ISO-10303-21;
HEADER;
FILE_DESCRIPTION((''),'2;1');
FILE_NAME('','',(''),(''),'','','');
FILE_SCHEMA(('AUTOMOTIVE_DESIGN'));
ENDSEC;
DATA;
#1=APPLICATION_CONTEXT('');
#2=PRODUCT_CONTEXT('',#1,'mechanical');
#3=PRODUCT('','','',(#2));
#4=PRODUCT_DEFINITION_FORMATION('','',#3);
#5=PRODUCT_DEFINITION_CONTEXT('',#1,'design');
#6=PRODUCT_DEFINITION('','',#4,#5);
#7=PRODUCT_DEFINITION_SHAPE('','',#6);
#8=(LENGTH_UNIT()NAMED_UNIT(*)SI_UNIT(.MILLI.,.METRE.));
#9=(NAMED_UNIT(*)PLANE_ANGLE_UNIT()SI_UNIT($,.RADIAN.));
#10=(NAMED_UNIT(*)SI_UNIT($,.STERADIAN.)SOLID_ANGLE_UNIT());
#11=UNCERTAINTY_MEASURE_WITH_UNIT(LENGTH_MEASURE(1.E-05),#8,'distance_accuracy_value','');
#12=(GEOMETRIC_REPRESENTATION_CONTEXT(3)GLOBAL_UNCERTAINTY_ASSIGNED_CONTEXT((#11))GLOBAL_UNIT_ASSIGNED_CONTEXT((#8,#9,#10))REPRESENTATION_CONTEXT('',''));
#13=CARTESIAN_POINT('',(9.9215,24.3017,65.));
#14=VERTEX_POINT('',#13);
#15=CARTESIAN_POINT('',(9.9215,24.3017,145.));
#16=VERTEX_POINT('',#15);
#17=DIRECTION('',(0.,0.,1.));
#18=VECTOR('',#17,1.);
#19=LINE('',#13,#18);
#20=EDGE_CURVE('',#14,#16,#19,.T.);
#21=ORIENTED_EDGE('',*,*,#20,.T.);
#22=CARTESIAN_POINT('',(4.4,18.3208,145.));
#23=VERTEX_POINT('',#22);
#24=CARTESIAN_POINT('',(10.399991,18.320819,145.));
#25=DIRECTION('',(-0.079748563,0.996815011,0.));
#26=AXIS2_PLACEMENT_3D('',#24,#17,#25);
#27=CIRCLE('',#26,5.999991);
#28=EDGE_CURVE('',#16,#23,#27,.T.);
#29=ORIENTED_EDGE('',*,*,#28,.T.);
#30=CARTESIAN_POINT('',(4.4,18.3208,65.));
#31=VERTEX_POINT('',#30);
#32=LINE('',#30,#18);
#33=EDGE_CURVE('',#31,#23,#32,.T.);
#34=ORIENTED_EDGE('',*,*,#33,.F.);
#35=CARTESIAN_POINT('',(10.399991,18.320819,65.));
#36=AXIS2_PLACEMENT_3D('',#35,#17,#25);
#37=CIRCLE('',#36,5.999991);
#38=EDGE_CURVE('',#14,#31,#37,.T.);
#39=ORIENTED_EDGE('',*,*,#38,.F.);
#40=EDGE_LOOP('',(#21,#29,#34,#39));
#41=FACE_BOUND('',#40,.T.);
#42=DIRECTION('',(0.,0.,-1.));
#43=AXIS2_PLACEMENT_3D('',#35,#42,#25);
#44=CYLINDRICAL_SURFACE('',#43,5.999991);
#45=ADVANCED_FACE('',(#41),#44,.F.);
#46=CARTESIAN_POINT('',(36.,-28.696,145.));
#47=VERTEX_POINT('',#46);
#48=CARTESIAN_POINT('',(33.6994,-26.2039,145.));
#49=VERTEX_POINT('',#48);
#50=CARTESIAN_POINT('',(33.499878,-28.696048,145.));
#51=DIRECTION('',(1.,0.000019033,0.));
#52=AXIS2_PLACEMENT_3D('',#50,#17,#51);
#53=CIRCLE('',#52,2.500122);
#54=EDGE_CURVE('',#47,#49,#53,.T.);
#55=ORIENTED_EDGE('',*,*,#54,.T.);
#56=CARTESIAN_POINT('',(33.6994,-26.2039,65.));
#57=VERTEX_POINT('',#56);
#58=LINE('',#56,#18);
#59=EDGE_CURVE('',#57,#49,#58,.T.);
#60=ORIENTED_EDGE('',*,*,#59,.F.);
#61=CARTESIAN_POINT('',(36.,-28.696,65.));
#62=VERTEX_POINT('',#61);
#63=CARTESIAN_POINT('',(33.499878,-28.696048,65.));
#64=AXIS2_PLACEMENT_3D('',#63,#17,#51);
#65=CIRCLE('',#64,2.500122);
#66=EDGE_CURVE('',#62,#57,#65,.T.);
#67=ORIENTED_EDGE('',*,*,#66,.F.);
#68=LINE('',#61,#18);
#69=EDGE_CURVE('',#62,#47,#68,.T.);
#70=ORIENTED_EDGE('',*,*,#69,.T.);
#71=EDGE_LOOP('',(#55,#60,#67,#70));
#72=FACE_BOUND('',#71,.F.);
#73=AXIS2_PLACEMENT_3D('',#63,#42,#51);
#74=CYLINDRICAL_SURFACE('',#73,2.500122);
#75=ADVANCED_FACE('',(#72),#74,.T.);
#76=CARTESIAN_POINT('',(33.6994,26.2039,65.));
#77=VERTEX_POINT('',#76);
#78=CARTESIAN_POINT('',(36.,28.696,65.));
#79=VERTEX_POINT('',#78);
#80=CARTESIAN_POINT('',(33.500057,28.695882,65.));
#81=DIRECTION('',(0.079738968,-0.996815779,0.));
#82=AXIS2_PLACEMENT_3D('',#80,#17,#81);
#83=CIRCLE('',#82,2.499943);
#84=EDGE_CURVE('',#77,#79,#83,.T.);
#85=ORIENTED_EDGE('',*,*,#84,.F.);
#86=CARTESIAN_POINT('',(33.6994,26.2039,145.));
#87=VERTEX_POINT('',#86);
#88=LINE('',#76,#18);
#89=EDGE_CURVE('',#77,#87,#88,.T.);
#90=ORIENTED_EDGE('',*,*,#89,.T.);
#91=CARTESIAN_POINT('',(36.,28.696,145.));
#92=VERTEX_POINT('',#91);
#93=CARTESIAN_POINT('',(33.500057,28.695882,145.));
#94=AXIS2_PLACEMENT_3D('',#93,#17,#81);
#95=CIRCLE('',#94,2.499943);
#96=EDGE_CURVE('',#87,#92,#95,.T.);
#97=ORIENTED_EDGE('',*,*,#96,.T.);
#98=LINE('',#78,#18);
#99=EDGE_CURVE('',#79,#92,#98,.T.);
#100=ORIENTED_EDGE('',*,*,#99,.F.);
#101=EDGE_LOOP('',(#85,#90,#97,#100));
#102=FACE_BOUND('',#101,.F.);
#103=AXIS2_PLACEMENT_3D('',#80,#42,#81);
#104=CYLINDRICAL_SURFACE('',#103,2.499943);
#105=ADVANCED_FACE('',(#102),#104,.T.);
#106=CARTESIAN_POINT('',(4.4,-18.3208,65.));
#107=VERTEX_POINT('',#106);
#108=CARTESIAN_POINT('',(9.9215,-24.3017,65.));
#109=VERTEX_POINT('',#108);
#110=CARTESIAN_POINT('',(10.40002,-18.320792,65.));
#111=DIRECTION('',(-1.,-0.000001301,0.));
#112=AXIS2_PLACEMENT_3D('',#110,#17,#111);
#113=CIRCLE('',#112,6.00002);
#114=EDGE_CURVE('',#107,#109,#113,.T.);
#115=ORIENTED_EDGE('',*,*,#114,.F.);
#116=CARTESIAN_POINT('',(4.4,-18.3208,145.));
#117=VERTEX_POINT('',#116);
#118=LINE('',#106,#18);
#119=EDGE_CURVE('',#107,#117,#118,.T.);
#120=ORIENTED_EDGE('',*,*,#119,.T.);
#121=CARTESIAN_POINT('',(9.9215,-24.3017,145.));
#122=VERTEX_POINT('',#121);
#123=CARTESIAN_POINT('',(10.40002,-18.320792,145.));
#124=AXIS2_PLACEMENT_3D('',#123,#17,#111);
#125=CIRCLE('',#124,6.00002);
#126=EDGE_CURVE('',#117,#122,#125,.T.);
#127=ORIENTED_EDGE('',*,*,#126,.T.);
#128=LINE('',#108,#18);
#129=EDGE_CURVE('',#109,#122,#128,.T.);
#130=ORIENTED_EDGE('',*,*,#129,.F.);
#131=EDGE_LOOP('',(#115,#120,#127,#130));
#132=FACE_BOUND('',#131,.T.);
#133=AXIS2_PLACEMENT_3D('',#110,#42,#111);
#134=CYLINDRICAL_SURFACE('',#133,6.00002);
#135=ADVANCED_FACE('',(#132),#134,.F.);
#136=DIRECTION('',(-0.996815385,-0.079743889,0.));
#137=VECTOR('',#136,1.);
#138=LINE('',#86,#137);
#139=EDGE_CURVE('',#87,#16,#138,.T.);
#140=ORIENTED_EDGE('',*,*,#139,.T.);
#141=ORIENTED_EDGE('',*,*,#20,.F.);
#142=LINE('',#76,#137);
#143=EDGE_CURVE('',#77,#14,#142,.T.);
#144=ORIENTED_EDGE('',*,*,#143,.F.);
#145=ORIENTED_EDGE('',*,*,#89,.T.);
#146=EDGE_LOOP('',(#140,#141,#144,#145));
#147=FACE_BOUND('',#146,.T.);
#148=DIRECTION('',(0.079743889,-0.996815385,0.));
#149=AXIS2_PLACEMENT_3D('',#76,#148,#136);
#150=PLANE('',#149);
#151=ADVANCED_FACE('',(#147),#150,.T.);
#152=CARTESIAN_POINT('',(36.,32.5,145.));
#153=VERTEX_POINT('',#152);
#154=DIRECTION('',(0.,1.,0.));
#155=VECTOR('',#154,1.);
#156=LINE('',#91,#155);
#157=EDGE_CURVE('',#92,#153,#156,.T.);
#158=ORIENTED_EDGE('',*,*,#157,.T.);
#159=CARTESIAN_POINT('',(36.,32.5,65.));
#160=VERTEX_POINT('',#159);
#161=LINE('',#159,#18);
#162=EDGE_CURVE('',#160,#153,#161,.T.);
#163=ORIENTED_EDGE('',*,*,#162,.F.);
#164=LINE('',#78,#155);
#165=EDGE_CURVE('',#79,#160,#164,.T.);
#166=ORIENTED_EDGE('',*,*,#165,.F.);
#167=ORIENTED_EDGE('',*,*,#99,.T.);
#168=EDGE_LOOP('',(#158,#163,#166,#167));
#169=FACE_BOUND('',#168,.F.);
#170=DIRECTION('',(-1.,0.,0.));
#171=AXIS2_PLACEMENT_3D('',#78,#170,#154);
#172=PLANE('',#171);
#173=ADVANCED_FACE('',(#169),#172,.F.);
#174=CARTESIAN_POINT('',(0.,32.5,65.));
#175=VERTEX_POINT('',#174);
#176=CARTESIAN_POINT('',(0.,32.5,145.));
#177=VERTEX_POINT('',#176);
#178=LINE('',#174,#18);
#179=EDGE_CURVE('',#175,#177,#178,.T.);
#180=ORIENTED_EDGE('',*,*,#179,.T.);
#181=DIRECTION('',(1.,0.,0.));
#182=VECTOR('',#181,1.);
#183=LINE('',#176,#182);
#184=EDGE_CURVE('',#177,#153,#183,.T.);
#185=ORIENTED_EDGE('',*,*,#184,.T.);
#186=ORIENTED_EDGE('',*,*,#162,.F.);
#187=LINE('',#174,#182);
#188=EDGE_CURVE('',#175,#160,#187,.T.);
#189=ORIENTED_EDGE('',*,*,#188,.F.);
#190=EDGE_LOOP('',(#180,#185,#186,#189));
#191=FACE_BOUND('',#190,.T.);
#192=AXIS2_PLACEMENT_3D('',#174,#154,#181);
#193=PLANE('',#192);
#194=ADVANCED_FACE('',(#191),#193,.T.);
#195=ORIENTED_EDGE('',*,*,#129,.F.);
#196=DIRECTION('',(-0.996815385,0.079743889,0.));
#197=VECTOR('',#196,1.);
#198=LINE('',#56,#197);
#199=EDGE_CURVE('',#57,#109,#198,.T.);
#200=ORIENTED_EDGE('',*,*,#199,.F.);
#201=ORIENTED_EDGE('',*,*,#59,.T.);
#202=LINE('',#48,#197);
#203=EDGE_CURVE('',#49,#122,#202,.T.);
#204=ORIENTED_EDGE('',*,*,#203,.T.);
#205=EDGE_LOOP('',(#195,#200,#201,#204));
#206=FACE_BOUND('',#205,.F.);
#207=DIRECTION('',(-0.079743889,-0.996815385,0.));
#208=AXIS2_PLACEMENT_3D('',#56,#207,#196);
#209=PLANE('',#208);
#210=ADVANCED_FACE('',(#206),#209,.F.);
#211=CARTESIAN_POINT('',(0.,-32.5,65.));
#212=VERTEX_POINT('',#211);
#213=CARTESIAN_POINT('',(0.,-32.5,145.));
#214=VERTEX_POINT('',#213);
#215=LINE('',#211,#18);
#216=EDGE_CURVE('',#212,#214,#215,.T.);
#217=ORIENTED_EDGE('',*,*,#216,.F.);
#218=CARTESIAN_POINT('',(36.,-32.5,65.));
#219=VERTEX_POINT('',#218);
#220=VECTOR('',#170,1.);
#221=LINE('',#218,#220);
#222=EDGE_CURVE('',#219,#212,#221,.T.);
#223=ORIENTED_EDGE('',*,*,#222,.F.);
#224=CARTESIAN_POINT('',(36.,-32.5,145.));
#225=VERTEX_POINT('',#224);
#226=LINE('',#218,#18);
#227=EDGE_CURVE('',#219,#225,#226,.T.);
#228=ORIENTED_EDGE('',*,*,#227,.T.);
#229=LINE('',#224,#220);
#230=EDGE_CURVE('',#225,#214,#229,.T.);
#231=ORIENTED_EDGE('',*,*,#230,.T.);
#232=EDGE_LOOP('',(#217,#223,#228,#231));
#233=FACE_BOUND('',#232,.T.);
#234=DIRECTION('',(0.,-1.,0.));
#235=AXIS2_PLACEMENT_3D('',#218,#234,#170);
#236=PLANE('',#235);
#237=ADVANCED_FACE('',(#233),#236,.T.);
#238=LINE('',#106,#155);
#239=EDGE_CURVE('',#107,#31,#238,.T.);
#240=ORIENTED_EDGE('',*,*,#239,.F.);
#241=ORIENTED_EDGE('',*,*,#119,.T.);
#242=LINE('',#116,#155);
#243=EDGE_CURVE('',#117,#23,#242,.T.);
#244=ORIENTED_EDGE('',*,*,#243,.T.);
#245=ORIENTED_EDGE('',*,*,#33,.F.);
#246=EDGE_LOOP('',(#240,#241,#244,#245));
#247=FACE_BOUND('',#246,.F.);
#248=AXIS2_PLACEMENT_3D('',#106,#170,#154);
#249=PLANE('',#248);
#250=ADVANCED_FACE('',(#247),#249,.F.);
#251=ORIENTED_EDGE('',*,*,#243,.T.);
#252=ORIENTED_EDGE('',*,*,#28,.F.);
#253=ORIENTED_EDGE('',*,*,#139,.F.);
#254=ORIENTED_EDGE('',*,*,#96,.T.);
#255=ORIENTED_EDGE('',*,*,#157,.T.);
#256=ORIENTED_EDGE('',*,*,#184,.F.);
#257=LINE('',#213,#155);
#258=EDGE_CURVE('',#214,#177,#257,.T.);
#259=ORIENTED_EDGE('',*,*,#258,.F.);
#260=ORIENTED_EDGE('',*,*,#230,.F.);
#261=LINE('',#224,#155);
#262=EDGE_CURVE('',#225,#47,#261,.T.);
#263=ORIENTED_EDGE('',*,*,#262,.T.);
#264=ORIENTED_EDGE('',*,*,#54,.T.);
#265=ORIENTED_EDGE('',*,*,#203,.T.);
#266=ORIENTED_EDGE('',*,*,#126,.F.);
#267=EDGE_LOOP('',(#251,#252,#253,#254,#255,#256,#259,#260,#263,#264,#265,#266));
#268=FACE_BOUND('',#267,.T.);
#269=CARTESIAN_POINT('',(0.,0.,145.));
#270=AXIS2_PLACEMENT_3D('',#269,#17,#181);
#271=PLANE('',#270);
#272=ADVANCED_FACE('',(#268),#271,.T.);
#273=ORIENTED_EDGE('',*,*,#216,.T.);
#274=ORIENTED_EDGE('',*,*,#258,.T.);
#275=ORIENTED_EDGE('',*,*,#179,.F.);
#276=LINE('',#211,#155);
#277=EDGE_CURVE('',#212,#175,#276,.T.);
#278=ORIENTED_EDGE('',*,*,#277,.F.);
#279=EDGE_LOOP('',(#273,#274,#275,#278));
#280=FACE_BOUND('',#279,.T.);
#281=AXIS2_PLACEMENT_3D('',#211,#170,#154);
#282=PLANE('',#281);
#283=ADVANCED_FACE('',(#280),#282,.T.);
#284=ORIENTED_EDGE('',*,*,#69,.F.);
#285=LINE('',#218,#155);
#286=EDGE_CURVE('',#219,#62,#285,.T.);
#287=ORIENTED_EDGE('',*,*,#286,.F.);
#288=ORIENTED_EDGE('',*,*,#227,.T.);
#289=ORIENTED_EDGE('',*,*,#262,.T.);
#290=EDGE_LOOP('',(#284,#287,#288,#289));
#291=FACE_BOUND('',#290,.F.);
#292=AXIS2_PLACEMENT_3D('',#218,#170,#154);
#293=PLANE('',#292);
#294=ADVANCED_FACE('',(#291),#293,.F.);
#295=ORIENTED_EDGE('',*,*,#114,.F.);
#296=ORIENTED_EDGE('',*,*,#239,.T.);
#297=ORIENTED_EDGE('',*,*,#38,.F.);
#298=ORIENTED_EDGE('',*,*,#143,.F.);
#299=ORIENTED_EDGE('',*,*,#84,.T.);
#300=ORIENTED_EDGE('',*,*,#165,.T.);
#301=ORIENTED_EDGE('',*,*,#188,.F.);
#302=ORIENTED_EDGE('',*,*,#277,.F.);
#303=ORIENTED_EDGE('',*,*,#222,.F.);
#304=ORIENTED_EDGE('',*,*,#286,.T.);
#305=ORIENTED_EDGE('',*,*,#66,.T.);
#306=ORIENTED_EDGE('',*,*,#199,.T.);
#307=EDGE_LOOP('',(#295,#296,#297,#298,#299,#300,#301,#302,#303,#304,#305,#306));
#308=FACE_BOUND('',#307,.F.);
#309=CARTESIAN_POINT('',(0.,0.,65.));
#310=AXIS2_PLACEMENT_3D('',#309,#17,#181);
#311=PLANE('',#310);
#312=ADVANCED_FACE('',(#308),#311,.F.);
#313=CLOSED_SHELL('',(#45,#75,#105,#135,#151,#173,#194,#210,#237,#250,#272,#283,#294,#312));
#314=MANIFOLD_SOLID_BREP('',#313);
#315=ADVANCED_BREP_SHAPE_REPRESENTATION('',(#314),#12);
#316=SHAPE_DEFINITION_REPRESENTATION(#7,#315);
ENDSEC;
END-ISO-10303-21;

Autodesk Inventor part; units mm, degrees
ref_plane "Начальная плоскость" through (0, 0, 65) normal (0, 0, 1) x (1, 0, 0)
ref_plane "Конечная плоскость" through (0, 0, 145) normal (0, 0, 1) x (1, 0, 0)
sketch "Эскиз" plane through (0, 0, 0) normal (0, 0, 1) x (1, 0, 0)
  line L0 (36, -32.5) -> (0, -32.5)
  line L1 (36, -32.5) -> (36, -28.696)
  line L2 (33.6994, -26.2039) -> (9.9215, -24.3017)
  line L3 (4.4, -18.3208) -> (4.4, 18.3208)
  line L4 (33.6994, 26.2039) -> (9.9215, 24.3017)
  line L5 (36, 28.696) -> (36, 32.5)
  line L6 (0, 32.5) -> (36, 32.5)
  line L7 (0, -32.5) -> (0, 32.5)
  arc A0 (4.4, -18.3208) -> (9.9215, -24.3017) centre (10.4, -18.3208) ccw
  arc A1 (9.9215, 24.3017) -> (4.4, 18.3208) centre (10.4, 18.3208) ccw
  arc A2 (36, -28.696) -> (33.6994, -26.2039) centre (33.5, -28.696) ccw
  arc A3 (33.6994, 26.2039) -> (36, 28.696) centre (33.5, 28.696) ccw
  line L8 (0, 45.5) -> (0, -45.5) construction
  line L9 (-7.2974, 0) -> (43.7847, 0) construction
  point P0 (36, -26.388)
  point P1 (4.4, -23.86)
  point P2 (4.4, 23.86)
  point P3 (36, 26.388)
  dimension "d3" = 36
  dimension "d5" = 4.4
  dimension "d7" = 65
  dimension "d9" = 8.64
  dimension "d11" = 8.64
  dimension "d13" = 6.112
  dimension "d15" = 6.112
  dimension "d22" = 6
  dimension "d23" = 2.5
  dimension "d24" = 32.5
  dimension "d25" = 0
extrude "Тело" add sketch "Эскиз" along normal up to surface (80 mm away) from surface at 65
sketch "Sketch3" plane through (0, 0, 0) normal (0, 0, 1) x (1, 0, 0)
  line L0 (0, 0) -> (10, 0)
ref_plane "Work Plane7" through (0, 0, 0) normal (0, -1, 0) x (1, 0, 0)
sketch "Sketch4" plane through (0, 0, 0) normal (0, -1, 0) x (1, 0, 0)
  line L0 (-2, 65) -> (12, 65)
  line L1 (-2, 145) -> (12, 145)
  dimension "d29" = 80
ref_plane "РабПлоскость8" through (18, -53.62, 145) normal (0, 0, 1) x (1, 0, 0)
split "Разделение1" plane through (18, -53.62, 145) removes the side toward (0, 0, 1)
ref_plane "РабПлоскость9" through (18, 32.5, 65) normal (0, 0, -1) x (-1, 0, 0)
split "Разделение2" plane through (18, 32.5, 65) removes the side toward (0, 0, -1)
equation "\"d3\" = b"
equation "\"d5\" = t1"
equation "\"d7\" = ParH"
equation "\"d9\" = msp_x1 + t2"
equation "\"d11\" = msp_x1 + t2"
equation "\"d13\" = -msp_x2 + t2"
equation "\"d15\" = -msp_x2 + t2"
equation "\"d22\" = R"
equation "\"d23\" = R1"
equation "\"d24\" = 0.5 * d7"
equation "\"d16\" = G_L"
equation "\"R1\" = 2.5"
equation "\"R\" = 6"
equation "\"t1\" = 4.4"
equation "\"t2\" = 7.2"
equation "\"ParH\" = 65"
equation "\"b\" = 36"
equation "\"msp_x1\" = 0.04 * b"
equation "\"msp_x2\" = -0.08 * t1 + 0.04 * b"
equation "\"G_L\" = d29"
equation "\"ex\" = 0"
equation "\"G_OFFSET_START\" = -65"
equation "\"G_OFFSET_END\" = -65"
equation "\"d26\" = -G_OFFSET_START"
equation "\"d27\" = G_OFFSET_END + B_L"
equation "\"B_L\" = 210"
properties part number "Швеллер 6.5U-80 ГОСТ 8240-97" material "Сталь, мягкая, сварочная"
